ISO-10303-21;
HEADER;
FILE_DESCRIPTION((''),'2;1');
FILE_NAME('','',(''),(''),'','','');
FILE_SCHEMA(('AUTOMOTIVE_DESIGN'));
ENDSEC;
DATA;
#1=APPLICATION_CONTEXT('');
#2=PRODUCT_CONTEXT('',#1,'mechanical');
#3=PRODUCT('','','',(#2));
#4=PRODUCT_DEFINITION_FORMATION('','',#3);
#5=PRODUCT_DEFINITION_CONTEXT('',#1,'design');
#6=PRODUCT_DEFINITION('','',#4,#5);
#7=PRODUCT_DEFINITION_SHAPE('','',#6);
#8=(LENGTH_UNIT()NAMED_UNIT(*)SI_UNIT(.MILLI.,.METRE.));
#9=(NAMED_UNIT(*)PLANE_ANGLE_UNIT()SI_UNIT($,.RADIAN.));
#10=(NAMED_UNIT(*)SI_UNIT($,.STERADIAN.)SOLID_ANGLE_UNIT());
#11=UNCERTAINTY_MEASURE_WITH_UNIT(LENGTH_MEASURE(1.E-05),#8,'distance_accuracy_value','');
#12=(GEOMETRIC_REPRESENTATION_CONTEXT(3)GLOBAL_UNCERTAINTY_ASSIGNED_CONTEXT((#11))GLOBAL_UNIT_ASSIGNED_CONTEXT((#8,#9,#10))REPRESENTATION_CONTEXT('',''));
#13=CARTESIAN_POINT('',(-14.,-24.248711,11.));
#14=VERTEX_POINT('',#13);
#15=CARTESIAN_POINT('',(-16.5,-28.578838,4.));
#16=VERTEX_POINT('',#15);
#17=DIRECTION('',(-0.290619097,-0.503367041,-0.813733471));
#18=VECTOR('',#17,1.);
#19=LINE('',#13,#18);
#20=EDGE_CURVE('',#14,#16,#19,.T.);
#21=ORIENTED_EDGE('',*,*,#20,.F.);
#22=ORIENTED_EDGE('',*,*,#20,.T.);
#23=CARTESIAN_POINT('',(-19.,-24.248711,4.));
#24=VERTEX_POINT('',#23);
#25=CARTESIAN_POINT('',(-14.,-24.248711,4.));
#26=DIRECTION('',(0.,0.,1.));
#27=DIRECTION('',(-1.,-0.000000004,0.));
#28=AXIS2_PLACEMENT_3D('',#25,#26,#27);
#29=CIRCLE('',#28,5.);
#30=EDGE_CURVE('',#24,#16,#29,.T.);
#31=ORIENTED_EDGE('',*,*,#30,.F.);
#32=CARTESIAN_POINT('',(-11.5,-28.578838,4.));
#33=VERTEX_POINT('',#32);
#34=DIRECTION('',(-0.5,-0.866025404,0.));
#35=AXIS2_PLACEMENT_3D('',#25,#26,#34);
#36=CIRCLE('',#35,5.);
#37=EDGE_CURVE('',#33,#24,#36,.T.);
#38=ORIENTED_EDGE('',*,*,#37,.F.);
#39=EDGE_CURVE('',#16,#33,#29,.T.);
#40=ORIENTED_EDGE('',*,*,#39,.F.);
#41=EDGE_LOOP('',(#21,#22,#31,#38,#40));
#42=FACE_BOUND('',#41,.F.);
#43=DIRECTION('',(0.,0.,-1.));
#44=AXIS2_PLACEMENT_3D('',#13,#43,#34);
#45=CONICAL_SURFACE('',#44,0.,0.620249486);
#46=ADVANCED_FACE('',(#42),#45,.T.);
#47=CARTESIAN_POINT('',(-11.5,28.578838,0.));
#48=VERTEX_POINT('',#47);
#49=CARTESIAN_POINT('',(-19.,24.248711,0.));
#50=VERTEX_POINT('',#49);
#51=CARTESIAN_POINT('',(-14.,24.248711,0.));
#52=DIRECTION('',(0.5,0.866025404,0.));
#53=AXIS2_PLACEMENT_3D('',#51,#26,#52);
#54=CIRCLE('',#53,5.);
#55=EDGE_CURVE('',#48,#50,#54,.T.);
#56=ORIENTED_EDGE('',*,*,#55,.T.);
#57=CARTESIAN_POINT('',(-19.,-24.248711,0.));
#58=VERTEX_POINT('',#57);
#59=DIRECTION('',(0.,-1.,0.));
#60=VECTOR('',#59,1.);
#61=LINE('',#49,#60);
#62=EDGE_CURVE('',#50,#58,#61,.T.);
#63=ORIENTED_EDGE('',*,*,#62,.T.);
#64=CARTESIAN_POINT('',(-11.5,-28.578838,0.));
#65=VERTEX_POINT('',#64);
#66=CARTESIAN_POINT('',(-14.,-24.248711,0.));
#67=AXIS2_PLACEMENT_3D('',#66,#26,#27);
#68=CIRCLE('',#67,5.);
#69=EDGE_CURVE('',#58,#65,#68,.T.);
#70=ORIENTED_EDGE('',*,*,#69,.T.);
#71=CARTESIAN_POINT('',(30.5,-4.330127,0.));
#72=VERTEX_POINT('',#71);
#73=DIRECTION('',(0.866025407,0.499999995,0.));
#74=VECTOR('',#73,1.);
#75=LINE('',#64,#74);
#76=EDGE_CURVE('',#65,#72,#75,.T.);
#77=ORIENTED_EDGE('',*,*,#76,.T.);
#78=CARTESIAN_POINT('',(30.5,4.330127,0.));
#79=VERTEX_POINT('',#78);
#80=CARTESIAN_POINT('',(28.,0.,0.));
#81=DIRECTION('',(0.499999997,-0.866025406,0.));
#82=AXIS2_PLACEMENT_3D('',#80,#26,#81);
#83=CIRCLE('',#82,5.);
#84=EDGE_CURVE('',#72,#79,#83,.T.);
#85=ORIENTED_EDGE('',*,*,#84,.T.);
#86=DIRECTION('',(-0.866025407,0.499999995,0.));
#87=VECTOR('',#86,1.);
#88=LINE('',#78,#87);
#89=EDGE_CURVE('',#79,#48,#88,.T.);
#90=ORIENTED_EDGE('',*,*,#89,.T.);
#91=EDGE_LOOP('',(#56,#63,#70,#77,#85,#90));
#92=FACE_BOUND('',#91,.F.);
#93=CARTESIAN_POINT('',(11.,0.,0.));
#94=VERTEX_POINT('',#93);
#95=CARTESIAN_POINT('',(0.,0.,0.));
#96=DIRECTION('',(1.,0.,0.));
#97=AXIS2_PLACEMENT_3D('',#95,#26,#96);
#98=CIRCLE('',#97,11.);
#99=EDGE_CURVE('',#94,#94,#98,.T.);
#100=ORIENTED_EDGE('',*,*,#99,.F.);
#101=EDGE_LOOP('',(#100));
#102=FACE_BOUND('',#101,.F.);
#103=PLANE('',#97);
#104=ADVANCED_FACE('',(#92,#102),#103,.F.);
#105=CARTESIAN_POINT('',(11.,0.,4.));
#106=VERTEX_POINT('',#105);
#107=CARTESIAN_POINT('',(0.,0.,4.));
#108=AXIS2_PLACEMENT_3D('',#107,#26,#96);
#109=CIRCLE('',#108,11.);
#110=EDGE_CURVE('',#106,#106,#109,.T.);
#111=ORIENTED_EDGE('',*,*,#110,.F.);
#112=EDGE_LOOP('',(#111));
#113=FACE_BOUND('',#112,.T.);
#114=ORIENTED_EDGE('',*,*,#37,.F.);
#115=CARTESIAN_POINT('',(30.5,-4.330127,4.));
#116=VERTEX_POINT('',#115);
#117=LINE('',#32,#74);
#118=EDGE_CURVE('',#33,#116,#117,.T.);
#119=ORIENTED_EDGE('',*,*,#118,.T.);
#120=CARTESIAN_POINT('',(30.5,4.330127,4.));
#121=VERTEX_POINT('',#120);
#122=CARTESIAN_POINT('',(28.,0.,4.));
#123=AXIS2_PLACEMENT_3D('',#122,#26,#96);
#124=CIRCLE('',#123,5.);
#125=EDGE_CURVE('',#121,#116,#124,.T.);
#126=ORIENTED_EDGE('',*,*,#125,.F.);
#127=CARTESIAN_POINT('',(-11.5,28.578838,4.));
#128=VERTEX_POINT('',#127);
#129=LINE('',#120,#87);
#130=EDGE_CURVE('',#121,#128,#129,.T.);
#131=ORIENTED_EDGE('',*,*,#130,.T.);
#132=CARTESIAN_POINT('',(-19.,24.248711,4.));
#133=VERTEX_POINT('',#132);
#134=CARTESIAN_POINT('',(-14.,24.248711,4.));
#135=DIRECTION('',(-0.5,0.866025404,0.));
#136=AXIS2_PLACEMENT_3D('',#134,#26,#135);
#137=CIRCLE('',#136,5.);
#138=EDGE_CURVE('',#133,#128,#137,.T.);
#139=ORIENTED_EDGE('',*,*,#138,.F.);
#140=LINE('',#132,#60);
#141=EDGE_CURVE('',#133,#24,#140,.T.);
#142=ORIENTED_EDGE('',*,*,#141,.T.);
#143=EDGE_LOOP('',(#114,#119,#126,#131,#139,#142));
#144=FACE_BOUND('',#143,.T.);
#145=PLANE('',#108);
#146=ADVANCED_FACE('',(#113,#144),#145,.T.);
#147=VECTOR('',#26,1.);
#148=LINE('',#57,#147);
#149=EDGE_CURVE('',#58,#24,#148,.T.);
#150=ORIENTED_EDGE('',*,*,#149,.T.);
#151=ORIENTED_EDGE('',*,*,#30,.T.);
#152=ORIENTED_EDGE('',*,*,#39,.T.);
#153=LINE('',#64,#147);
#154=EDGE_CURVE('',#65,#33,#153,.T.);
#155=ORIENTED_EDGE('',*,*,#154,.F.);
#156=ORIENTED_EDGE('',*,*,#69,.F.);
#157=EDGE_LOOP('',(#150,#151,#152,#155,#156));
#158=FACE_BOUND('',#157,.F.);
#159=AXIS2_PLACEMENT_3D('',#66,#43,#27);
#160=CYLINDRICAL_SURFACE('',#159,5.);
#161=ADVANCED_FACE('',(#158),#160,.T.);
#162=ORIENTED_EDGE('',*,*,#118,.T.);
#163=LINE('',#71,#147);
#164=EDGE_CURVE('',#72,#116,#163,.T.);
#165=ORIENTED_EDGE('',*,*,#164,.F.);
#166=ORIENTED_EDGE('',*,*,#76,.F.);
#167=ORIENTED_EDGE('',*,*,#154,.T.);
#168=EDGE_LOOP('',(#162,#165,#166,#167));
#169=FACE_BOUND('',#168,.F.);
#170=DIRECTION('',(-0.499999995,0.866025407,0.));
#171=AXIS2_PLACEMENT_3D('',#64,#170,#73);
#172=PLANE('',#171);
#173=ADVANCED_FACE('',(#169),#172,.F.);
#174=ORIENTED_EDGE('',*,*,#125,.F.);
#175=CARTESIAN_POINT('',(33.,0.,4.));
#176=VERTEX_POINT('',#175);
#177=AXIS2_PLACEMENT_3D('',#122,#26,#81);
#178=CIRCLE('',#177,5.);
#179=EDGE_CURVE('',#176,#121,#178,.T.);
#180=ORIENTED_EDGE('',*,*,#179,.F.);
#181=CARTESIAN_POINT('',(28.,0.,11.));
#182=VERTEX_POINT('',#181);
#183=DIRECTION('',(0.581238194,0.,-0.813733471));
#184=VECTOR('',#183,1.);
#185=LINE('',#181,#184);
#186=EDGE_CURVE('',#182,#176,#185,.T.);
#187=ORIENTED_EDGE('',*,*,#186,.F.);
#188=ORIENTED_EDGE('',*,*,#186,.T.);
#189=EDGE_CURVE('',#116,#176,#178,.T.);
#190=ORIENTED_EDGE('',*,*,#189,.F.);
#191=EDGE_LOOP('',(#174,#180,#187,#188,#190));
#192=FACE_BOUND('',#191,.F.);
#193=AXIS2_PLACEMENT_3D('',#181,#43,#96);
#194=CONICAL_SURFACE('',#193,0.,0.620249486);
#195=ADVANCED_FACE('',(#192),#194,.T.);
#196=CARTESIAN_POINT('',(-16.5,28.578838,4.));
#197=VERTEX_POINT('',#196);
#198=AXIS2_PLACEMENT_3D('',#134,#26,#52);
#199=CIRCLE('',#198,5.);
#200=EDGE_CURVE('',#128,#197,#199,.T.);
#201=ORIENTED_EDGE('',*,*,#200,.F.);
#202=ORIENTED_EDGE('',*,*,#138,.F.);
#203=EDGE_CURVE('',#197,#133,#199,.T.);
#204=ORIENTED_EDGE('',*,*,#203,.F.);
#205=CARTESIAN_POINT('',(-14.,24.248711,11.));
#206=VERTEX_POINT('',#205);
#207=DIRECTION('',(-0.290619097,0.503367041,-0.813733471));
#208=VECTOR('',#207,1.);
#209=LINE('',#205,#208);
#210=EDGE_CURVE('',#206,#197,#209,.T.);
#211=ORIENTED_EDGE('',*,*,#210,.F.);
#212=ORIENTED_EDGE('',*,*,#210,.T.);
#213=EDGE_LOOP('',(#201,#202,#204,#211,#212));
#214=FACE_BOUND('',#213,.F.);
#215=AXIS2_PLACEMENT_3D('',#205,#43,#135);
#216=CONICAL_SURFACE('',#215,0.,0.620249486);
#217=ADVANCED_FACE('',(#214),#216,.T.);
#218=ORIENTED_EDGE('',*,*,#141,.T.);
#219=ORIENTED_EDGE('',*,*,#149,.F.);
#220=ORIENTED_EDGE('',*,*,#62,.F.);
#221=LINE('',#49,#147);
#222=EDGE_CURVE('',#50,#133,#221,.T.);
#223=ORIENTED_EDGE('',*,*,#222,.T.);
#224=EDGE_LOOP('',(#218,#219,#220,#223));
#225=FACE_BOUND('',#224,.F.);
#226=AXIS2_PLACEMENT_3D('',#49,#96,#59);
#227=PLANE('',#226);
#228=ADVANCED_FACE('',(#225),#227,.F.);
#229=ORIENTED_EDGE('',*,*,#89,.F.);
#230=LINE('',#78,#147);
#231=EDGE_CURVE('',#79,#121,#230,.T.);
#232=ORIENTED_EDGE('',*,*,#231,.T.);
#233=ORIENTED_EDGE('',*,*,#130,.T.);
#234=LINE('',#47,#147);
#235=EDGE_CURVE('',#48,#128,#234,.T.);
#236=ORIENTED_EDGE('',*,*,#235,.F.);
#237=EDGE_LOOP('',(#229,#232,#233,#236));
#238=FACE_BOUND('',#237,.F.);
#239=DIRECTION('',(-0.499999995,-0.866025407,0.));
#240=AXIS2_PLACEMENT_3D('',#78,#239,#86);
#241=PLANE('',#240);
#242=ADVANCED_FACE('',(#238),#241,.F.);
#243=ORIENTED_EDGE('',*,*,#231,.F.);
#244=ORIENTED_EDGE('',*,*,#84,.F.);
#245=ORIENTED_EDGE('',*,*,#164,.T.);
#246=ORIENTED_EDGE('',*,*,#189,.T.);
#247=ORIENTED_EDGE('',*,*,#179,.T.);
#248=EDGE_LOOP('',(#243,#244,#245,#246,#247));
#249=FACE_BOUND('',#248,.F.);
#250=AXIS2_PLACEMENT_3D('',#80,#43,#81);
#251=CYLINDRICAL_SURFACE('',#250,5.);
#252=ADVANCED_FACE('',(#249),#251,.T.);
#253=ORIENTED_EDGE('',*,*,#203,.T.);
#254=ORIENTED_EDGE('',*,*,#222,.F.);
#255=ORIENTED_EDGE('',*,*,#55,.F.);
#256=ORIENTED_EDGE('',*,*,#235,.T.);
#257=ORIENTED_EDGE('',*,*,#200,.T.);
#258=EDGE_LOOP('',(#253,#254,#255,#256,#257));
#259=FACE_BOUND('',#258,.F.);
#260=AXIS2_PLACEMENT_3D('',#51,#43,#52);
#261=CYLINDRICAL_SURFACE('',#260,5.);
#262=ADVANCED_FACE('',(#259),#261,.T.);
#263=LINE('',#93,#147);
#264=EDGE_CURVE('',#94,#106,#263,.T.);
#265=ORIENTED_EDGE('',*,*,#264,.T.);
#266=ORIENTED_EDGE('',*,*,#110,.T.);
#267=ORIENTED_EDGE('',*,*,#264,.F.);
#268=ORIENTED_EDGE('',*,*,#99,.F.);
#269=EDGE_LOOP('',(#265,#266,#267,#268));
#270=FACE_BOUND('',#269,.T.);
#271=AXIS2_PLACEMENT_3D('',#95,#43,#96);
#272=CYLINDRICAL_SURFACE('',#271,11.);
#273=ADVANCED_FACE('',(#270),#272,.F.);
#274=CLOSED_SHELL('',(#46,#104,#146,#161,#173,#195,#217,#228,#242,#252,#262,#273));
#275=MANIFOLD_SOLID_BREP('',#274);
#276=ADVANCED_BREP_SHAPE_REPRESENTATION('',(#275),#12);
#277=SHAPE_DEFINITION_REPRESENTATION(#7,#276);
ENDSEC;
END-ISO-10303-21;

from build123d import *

# Parameters (mm, degrees)
ARRAY_COUNT   = 3
SKETCH_R      = 11
EXTRUDE_DEPTH = 4


with BuildPart() as array:
    # Sketch001 → Revolve (revolve)
    with BuildSketch(Plane.XZ):
        Polygon((0, 0), (0, 7), (5, 0), align=None)
    revolve(axis=Axis((0, 0, 4), (0, 0, 1)))

    # Array: Array ×3 about axis
    array_axis = Axis((-28, 0, 0), (0, 0, 1))


with BuildPart() as array_1:
    add(array.part)
    for i in range(1, ARRAY_COUNT):
        add(array.part.rotate(array_axis, i * 360 / ARRAY_COUNT))


with BuildPart() as array_2:
    # Array placement: moved
    add(array_1.part.moved(Location((28, 0, 4))))


with BuildPart() as fusion:
    # Sketch → Extrude (new body)
    with BuildSketch(Plane.XY):
        with BuildLine():
            Line((-19, 24.248711), (-19, -24.248711))
            ThreePointArc((-19, -24.248711), (-16.5, -28.578838), (-11.5, -28.578838))
            Line((-11.5, -28.578838), (30.5, -4.330127))
            ThreePointArc((30.5, -4.330127), (33, 0), (30.5, 4.330127))
            Line((30.5, 4.330127), (-11.5, 28.578838))
            ThreePointArc((-11.5, 28.578838), (-16.5, 28.578838), (-19, 24.248711))
        make_face()
        Circle(SKETCH_R, mode=Mode.SUBTRACT)
    extrude(amount=EXTRUDE_DEPTH)

    # Fusion: union Array
    add(array_2.part)


solid = fusion.part
